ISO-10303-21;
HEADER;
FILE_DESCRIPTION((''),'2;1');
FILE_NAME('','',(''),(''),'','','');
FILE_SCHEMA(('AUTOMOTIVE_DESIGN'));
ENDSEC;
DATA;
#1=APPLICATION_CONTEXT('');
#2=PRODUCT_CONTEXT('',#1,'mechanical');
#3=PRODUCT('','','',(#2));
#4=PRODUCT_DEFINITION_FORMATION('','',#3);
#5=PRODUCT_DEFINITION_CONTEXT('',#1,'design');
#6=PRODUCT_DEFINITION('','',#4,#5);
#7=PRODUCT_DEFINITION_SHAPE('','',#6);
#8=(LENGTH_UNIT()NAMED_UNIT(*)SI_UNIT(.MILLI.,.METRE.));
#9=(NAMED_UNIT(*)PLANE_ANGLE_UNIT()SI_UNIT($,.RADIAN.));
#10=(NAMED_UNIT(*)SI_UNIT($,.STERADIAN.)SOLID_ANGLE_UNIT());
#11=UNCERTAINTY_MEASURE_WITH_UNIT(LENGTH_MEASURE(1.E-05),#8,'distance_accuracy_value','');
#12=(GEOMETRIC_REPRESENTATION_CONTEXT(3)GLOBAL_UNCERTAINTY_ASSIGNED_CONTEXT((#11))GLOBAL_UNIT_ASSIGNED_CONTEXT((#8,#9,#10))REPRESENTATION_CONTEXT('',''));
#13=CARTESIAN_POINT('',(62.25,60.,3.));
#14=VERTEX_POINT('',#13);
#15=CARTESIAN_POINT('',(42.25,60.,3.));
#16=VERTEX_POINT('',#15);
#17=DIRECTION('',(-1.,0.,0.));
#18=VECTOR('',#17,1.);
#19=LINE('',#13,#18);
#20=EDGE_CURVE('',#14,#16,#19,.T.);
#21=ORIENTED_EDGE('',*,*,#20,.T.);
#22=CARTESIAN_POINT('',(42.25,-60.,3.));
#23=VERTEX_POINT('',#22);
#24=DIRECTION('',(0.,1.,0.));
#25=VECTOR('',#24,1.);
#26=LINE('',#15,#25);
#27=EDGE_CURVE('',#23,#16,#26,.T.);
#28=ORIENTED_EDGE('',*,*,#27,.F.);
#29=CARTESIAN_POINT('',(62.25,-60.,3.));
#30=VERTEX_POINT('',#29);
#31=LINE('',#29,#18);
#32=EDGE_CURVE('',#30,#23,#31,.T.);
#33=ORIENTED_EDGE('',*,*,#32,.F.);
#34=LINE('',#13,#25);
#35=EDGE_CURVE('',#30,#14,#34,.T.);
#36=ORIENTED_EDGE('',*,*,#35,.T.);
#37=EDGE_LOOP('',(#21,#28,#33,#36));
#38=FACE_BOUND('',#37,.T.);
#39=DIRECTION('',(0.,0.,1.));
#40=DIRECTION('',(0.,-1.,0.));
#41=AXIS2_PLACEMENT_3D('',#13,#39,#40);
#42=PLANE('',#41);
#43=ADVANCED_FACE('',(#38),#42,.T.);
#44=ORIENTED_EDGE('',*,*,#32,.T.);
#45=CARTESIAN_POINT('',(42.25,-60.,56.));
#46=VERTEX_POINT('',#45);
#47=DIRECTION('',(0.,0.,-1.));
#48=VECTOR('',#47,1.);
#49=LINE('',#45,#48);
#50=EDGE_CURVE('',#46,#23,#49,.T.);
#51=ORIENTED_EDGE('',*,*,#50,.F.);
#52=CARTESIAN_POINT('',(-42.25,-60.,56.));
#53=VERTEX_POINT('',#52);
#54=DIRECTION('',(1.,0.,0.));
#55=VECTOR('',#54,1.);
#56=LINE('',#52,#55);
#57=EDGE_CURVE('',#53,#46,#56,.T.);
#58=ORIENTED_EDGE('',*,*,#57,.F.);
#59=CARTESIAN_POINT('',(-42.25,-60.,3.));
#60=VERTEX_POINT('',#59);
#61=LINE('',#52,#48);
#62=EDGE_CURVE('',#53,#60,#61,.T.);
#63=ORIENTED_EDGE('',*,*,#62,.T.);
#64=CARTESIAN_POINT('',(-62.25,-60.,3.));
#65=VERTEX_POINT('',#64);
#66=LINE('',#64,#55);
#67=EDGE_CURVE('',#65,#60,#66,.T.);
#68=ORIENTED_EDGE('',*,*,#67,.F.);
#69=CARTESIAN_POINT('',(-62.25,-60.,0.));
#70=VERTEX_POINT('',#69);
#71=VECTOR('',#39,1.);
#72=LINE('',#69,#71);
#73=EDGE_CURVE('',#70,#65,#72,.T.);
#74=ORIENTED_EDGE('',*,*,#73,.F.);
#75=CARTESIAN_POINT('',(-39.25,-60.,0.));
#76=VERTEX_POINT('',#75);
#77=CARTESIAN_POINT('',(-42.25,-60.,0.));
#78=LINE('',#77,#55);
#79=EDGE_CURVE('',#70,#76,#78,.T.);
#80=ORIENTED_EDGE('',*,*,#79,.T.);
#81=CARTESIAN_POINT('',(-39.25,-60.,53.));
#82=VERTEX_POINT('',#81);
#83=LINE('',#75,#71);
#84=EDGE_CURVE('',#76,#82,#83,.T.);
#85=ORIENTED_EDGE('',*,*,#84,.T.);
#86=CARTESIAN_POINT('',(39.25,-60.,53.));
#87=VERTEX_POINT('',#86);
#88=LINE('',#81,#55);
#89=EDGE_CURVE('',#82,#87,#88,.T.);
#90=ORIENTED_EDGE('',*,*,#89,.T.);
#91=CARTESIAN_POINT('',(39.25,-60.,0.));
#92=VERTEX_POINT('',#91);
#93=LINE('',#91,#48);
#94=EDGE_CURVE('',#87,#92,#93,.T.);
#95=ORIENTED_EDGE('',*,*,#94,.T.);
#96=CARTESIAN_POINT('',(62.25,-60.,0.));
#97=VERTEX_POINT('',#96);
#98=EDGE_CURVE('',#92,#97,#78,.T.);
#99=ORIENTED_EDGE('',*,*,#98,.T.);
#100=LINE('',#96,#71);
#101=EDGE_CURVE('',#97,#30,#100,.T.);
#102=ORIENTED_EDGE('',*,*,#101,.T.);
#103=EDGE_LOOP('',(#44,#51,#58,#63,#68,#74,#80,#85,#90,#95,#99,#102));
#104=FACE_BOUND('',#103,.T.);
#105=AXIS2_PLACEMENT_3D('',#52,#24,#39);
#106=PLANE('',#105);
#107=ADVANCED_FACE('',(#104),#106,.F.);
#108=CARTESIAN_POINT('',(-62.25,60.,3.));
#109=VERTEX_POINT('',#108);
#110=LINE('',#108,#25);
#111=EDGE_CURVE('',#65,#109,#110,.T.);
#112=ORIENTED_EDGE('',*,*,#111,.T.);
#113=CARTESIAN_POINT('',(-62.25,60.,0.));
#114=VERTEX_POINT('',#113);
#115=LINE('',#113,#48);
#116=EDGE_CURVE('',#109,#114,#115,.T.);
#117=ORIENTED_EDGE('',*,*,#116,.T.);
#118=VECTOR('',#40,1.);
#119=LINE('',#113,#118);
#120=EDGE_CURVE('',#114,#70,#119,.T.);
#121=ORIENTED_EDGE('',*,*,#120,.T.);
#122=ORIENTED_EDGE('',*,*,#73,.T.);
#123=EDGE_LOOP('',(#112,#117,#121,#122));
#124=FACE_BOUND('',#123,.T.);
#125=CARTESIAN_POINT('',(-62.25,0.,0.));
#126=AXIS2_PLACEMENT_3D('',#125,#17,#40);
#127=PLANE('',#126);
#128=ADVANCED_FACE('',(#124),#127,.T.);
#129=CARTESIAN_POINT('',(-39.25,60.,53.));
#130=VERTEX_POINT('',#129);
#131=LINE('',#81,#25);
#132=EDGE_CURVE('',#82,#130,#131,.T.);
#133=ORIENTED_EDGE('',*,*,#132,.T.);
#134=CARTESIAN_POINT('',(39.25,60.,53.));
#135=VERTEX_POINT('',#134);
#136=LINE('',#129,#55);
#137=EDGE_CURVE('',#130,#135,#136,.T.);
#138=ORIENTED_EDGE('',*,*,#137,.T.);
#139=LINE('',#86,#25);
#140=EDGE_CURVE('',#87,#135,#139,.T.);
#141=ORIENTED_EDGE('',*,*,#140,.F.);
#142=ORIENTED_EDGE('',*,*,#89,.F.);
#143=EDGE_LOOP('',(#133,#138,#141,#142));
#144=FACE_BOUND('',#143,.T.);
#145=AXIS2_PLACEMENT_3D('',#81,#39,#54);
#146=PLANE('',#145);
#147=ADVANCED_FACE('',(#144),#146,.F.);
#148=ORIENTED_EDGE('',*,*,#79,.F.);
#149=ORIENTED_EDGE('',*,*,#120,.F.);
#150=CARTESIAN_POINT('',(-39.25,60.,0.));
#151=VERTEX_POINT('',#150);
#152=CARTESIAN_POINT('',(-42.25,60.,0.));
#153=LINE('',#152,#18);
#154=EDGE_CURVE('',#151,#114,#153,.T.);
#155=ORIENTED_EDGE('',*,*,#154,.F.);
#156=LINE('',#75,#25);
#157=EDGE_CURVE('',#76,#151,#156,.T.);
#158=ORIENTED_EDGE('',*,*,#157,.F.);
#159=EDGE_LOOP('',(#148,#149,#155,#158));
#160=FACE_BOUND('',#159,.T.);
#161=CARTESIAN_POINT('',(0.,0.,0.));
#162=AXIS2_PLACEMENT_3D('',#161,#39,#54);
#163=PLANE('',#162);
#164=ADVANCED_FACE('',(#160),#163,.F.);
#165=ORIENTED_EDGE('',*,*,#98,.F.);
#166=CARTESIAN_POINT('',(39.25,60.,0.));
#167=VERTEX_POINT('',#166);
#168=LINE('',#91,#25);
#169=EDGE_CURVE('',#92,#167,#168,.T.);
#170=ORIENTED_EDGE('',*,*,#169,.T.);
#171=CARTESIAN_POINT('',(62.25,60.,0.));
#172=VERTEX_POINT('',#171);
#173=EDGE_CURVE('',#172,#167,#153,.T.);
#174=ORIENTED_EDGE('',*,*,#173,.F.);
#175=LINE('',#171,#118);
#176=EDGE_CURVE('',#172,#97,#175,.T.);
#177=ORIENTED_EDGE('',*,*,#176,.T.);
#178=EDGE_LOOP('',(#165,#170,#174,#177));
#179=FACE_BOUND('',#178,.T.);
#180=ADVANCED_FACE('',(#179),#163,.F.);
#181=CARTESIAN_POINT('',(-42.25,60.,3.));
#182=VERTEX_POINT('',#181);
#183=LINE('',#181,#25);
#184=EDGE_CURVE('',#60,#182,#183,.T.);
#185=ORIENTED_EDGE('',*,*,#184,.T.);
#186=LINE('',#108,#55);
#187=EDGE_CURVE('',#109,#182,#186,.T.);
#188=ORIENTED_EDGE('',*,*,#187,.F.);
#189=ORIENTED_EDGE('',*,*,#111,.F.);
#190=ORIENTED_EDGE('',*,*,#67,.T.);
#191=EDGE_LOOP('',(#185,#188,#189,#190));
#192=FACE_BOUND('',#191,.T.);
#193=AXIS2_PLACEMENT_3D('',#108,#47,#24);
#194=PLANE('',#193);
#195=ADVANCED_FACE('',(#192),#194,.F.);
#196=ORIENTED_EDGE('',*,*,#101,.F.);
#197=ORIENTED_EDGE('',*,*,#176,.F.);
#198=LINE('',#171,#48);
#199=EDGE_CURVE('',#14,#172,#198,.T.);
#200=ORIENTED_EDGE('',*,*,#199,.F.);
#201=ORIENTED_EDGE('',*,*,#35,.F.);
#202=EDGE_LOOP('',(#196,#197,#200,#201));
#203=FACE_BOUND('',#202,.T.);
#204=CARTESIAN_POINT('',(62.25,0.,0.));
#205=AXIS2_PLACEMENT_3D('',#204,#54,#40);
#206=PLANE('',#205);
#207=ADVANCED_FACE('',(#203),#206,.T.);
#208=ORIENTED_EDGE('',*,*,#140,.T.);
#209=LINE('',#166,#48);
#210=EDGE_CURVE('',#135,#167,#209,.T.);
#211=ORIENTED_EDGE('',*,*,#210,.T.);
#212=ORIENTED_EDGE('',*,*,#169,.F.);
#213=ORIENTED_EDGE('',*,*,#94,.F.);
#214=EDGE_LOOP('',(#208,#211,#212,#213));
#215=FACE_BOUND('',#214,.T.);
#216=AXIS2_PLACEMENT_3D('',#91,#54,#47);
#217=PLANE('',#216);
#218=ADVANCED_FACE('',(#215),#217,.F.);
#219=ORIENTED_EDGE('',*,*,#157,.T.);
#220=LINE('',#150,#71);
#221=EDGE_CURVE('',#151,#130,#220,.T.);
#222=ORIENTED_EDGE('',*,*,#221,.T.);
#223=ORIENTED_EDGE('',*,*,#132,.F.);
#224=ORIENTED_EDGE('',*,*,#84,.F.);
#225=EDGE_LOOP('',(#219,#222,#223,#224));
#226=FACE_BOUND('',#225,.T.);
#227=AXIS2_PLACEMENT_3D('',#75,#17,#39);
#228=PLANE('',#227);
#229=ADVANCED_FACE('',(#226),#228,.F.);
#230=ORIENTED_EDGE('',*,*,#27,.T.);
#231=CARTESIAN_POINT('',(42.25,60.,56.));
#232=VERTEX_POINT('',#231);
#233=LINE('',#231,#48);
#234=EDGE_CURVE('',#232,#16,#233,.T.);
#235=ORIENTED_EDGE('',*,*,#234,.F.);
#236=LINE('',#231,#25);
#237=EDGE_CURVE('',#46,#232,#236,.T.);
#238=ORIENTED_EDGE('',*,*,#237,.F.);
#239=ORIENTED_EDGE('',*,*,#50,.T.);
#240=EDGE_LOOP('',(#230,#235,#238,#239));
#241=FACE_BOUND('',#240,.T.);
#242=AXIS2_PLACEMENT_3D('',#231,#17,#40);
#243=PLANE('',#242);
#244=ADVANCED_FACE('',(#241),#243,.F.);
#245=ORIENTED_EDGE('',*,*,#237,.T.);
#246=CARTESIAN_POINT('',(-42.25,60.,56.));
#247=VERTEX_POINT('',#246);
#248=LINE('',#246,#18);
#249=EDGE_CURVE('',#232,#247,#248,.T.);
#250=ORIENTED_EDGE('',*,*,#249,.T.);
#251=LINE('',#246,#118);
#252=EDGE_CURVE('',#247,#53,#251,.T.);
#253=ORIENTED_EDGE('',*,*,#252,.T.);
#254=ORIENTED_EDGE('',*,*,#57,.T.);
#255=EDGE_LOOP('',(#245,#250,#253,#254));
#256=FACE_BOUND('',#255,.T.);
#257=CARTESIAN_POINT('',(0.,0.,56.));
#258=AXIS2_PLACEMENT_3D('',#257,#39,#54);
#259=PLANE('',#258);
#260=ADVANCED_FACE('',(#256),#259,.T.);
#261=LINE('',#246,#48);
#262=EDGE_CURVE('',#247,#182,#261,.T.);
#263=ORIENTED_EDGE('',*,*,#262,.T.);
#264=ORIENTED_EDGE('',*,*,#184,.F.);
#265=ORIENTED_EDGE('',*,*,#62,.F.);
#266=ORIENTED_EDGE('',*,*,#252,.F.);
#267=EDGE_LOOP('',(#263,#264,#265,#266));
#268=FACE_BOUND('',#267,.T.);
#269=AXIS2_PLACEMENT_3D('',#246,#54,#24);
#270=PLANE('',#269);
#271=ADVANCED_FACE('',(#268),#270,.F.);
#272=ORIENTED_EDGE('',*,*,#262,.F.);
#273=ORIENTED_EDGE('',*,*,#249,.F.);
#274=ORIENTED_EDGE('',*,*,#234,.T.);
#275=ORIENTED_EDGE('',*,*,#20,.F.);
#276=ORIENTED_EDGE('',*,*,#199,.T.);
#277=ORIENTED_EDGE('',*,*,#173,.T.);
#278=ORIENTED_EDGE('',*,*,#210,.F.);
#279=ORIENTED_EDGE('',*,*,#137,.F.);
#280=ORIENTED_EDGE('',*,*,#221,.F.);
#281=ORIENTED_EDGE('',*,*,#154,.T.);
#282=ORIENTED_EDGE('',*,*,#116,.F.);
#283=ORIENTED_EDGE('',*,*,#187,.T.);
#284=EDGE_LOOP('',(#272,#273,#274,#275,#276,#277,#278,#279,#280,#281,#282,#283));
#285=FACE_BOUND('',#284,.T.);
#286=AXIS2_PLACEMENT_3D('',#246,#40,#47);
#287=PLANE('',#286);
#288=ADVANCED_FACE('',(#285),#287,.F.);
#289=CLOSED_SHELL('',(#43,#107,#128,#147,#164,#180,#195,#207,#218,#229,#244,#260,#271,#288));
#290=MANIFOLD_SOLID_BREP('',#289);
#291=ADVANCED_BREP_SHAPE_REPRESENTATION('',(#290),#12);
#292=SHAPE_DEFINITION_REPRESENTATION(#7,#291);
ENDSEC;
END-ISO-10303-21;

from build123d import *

# Parameters (mm, degrees)
SKETCH_1_W          = 84.5
SKETCH_1_H          = 120
EXTRUDE_1_DEPTH     = 56
SKETCH_2_W          = 78.5
SKETCH_2_H          = 53
CUT_EXTRUDE_1_DEPTH = 140.00022482
SKETCH_3_W          = 3
SKETCH_3_H          = 120
EXTRUDE_2_DEPTH     = 20


with BuildPart() as part:
    # 스케치1 → 보스-돌출1 (new body)
    with BuildSketch(Plane.XY):
        Rectangle(SKETCH_1_W, SKETCH_1_H)
    extrude(amount=EXTRUDE_1_DEPTH)

    # 스케치2 → 컷-돌출1 (cut, through all)
    with BuildSketch(Plane(origin=(0, 60, 0), x_dir=(1, 0, 0), z_dir=(0, 1, 0))):
        with Locations((0, -26.5)):
            Rectangle(SKETCH_2_W, SKETCH_2_H)
    extrude(amount=-CUT_EXTRUDE_1_DEPTH, mode=Mode.SUBTRACT)

    # 스케치3 → 보스-돌출2 (add)
    with BuildSketch(Plane.ZY.offset(42.25)):
        with Locations((1.5, 0)):
            Rectangle(SKETCH_3_W, SKETCH_3_H)
    extrude_2 = extrude(amount=EXTRUDE_2_DEPTH)

    # 대칭 복사1: 보스-돌출2 across plane
    add(extrude_2.mirror(Plane(origin=(0, 0, 0), x_dir=(0, 0, 1), z_dir=(1, 0, 0))))


solid = part.part
